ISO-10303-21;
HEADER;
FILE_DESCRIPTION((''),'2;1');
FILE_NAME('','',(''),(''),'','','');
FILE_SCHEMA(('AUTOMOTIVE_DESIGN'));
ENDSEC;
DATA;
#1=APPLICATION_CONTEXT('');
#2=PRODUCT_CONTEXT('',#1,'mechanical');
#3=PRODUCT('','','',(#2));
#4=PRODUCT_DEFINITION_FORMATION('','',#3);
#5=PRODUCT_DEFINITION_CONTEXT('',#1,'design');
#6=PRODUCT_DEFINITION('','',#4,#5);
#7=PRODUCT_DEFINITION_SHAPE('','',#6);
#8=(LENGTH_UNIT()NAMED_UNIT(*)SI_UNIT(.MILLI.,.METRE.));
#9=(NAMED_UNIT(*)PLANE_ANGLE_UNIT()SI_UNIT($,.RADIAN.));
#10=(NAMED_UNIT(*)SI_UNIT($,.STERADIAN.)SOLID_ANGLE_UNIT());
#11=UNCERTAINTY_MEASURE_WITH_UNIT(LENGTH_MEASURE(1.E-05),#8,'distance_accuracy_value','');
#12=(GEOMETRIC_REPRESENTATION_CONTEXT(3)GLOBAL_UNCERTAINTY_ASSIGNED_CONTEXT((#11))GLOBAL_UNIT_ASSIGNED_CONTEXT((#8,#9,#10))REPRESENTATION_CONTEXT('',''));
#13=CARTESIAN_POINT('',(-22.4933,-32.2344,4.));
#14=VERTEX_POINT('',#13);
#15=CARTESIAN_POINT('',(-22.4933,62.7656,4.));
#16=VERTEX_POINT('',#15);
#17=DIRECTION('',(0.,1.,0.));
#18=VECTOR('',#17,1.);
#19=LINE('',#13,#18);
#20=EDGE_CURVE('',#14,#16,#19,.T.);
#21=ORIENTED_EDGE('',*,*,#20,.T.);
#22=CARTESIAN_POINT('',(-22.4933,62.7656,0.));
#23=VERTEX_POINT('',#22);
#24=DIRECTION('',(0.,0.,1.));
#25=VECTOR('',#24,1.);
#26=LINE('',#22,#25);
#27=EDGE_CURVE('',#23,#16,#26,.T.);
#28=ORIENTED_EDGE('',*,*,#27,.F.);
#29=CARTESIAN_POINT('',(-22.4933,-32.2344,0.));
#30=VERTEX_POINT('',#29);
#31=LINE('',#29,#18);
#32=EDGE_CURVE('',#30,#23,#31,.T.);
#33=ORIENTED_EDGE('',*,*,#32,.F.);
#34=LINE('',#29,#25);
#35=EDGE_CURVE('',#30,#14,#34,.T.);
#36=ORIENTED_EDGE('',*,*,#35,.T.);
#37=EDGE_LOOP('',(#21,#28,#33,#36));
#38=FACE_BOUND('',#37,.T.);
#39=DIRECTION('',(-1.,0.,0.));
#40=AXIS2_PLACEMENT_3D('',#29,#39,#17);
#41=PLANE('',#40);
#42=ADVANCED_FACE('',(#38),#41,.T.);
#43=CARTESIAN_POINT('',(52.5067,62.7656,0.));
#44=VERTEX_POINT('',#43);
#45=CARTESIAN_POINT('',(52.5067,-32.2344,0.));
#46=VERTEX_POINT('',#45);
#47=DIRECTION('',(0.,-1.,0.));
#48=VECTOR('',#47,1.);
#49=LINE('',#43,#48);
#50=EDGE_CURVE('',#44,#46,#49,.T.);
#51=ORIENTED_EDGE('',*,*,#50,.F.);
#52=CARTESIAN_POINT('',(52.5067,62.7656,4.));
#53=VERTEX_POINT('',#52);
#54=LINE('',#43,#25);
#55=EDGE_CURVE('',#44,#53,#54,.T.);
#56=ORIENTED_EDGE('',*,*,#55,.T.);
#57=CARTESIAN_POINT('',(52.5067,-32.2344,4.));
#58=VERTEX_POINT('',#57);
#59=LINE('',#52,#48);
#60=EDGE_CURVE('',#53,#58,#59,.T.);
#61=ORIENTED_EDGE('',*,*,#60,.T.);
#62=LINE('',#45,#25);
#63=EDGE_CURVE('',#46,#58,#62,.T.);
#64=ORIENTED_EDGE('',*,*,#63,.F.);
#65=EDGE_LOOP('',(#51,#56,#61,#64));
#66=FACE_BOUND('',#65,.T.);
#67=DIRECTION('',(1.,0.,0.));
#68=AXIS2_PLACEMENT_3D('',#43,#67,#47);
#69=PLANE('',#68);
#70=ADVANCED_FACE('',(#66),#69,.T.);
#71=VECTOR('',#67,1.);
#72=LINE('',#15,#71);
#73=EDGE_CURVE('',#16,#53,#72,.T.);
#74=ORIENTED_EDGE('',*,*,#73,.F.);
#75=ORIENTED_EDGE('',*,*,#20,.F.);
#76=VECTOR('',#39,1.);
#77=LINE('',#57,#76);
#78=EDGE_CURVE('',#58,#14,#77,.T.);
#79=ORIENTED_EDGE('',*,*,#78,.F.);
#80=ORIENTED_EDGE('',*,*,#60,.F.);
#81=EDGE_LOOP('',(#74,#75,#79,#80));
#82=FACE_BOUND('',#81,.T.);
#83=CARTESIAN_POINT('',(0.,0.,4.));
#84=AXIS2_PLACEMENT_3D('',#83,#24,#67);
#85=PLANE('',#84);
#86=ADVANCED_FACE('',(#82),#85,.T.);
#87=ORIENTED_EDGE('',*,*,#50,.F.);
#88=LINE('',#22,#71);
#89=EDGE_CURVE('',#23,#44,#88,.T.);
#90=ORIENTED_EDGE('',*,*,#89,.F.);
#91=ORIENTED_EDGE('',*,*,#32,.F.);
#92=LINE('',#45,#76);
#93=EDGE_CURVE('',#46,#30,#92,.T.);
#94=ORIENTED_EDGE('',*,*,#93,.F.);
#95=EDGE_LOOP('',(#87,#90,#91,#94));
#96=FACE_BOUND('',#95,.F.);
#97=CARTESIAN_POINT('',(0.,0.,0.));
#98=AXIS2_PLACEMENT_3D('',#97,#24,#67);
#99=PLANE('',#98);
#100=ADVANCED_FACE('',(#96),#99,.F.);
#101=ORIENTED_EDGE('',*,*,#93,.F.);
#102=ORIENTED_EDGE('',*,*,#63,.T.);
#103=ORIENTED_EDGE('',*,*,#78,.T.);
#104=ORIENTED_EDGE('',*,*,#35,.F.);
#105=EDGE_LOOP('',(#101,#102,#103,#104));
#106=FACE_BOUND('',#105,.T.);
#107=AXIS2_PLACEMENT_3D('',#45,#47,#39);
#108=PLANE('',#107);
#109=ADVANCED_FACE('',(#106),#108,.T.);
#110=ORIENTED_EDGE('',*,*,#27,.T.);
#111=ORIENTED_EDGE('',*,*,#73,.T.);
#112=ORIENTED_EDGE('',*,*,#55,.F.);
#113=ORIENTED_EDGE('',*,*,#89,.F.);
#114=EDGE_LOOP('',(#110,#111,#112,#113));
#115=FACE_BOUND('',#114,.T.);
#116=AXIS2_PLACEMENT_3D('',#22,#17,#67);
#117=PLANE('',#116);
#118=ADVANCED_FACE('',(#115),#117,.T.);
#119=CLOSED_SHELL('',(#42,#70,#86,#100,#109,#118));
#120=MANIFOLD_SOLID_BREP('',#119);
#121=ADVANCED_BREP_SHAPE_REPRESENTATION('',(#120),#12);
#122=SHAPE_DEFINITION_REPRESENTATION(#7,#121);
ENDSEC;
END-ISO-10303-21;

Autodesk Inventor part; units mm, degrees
ref_plane "YZ Plane" through (0, 0, 0) normal (1, 0, 0) x (0, 1, 0)
ref_plane "XZ Plane" through (0, 0, 0) normal (0, 1, 0) x (-1, 0, 0)
ref_plane "XY Plane" through (0, 0, 0) normal (0, 0, 1) x (1, 0, 0)
sketch "Skizze1" plane through (0, 0, 0) normal (0, 0, 1) x (1, 0, 0)
  line L0 (52.5067, -32.2344) -> (-22.4933, -32.2344)
  line L1 (-22.4933, -32.2344) -> (-22.4933, 62.7656)
  line L2 (-22.4933, 62.7656) -> (52.5067, 62.7656)
  line L3 (52.5067, 62.7656) -> (52.5067, -32.2344)
  point P0 (0, 0)
  dimension "d0" = 75
  dimension "d1" = 95
extrude "Extrusion1" add sketch "Skizze1" along normal blind 4
properties part number "battery"
